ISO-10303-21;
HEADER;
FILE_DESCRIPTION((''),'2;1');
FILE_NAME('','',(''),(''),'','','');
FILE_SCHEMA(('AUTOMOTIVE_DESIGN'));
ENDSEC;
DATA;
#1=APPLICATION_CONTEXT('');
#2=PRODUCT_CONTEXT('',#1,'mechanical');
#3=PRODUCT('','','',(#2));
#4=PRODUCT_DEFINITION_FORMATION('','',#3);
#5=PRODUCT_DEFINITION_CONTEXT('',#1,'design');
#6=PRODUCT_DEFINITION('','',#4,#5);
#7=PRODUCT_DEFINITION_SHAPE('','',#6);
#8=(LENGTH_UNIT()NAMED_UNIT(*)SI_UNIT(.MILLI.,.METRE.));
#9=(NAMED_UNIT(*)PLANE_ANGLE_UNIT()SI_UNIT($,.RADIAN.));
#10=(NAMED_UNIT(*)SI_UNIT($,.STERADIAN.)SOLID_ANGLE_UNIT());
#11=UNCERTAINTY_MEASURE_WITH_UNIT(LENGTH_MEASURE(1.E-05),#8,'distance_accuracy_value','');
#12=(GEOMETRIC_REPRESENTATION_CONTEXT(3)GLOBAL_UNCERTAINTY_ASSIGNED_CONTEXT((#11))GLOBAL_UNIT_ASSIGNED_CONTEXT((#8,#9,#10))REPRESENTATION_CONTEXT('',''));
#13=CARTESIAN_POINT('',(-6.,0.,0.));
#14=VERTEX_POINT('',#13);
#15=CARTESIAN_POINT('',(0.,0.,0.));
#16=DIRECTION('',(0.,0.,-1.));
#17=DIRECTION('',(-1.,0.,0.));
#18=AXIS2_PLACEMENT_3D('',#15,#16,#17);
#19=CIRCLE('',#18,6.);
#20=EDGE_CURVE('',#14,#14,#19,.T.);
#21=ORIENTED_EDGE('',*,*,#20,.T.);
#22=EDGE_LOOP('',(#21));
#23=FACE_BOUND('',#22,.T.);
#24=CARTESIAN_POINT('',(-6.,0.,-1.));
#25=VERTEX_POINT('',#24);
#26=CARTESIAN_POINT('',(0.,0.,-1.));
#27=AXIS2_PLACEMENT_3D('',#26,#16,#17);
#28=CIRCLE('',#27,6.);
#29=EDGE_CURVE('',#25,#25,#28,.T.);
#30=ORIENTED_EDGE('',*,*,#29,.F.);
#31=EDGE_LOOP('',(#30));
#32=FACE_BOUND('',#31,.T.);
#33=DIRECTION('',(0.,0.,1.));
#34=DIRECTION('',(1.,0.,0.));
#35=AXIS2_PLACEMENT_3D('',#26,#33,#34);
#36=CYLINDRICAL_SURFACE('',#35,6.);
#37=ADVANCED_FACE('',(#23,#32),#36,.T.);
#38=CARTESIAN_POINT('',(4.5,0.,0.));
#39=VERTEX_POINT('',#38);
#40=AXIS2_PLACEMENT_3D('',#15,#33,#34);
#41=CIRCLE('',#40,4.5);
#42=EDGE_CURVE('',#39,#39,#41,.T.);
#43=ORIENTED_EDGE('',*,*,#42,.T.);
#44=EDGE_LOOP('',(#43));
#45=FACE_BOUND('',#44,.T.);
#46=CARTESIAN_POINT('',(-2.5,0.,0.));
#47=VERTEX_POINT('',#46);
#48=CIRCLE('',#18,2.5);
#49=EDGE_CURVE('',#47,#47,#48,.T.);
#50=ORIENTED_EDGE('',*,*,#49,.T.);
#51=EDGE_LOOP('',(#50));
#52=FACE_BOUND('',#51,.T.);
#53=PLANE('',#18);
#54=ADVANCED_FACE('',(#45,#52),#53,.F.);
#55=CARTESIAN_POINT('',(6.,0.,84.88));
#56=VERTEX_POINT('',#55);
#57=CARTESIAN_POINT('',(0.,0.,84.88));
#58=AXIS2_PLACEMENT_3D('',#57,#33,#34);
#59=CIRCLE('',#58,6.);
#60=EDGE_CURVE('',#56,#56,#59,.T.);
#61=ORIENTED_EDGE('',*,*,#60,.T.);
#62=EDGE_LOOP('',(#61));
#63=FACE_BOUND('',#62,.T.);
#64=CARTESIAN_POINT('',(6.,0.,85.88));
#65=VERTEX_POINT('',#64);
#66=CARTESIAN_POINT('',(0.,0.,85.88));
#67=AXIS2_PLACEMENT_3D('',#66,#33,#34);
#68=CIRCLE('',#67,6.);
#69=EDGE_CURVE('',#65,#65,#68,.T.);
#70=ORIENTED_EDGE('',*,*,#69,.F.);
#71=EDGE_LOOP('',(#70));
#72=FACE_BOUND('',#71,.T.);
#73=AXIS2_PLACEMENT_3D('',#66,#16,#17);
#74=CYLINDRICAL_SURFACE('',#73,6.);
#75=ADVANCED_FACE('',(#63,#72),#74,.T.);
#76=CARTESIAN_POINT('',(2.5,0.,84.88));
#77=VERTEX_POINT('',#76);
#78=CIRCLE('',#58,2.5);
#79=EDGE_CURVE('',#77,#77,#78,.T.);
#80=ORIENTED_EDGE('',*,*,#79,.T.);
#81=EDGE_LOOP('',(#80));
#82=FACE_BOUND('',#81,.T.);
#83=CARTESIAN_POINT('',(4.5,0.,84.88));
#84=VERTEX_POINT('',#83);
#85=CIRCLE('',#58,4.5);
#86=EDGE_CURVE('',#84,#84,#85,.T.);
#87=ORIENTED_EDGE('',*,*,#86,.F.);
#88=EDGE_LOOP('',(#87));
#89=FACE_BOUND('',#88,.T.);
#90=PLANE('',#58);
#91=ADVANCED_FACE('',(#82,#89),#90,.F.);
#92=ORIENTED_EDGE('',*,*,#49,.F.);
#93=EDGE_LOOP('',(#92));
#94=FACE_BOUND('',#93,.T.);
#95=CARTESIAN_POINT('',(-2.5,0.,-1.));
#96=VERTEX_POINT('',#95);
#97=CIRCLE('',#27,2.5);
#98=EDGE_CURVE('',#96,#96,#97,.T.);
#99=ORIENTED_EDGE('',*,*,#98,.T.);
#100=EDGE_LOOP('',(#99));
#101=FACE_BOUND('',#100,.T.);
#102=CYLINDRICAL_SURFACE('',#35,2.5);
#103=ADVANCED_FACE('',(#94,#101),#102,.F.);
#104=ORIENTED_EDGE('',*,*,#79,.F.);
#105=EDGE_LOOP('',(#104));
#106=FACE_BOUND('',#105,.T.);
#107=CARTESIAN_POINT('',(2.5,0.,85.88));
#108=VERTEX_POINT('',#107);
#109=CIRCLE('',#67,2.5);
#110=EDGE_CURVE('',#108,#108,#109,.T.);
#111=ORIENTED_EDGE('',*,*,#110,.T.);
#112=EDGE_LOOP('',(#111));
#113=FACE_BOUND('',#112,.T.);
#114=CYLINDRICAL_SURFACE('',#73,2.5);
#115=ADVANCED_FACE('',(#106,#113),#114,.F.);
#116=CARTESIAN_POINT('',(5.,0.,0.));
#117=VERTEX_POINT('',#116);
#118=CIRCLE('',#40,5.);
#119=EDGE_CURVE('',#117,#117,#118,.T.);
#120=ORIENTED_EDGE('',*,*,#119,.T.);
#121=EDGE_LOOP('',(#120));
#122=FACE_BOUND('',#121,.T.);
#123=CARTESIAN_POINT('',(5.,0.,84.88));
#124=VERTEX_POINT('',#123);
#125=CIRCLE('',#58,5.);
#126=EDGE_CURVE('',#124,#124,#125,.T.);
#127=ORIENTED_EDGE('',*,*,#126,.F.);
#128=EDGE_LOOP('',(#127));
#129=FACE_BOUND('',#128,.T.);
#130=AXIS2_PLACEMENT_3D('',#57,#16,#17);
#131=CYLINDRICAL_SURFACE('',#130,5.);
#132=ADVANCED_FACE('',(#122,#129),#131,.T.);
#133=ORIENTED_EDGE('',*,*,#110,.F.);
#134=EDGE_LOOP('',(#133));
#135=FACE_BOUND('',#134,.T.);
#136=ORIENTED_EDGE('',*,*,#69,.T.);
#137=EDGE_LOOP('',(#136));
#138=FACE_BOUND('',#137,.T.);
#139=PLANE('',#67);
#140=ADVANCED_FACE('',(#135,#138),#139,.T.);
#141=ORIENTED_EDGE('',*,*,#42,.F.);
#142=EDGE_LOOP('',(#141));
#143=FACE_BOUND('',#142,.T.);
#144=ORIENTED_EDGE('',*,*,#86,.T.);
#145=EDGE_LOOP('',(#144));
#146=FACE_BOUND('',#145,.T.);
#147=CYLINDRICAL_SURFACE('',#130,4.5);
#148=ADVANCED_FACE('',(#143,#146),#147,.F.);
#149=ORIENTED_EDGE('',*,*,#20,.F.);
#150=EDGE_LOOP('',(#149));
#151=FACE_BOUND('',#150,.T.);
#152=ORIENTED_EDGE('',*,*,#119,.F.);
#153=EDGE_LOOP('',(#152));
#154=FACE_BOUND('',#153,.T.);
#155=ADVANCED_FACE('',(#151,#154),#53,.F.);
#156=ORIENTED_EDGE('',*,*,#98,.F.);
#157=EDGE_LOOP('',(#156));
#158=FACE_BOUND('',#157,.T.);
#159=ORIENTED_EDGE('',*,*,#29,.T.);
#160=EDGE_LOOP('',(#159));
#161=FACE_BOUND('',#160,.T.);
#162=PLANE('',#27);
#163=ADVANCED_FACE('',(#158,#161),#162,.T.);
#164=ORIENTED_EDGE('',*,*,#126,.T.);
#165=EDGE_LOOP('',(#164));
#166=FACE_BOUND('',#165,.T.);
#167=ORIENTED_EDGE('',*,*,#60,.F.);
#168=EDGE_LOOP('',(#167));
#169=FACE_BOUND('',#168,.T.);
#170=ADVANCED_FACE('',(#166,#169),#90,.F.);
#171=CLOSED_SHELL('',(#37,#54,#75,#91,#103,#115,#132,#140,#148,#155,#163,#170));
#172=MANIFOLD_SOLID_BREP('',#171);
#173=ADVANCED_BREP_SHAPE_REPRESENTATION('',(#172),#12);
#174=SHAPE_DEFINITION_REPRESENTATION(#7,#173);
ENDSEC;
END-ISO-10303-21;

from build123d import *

# Parameters (mm, degrees)
SKETCH1_R           = 5
SKETCH1_R_2         = 4.5
BOSS_EXTRUDE1_DEPTH = 84.88
SKETCH2_R           = 6
SKETCH2_R_2         = 2.5
BOSS_EXTRUDE2_DEPTH = 1
SKETCH3_R           = 6
SKETCH3_R_2         = 2.5
BOSS_EXTRUDE3_DEPTH = 1


with BuildPart() as part:
    # Sketch1 → Boss-Extrude1 (new body)
    with BuildSketch(Plane.XY):
        Circle(SKETCH1_R)
        Circle(SKETCH1_R_2, mode=Mode.SUBTRACT)
    extrude(amount=BOSS_EXTRUDE1_DEPTH)

    # Sketch2 → Boss-Extrude2 (add)
    with BuildSketch(Plane(origin=(0, 0, 0), x_dir=(-1, 0, 0), z_dir=(0, 0, -1))):
        Circle(SKETCH2_R)
        Circle(SKETCH2_R_2, mode=Mode.SUBTRACT)
    extrude(amount=BOSS_EXTRUDE2_DEPTH)

    # Sketch3 → Boss-Extrude3 (add)
    with BuildSketch(Plane.XY.offset(84.88)):
        Circle(SKETCH3_R)
        Circle(SKETCH3_R_2, mode=Mode.SUBTRACT)
    extrude(amount=BOSS_EXTRUDE3_DEPTH)


solid = part.part
